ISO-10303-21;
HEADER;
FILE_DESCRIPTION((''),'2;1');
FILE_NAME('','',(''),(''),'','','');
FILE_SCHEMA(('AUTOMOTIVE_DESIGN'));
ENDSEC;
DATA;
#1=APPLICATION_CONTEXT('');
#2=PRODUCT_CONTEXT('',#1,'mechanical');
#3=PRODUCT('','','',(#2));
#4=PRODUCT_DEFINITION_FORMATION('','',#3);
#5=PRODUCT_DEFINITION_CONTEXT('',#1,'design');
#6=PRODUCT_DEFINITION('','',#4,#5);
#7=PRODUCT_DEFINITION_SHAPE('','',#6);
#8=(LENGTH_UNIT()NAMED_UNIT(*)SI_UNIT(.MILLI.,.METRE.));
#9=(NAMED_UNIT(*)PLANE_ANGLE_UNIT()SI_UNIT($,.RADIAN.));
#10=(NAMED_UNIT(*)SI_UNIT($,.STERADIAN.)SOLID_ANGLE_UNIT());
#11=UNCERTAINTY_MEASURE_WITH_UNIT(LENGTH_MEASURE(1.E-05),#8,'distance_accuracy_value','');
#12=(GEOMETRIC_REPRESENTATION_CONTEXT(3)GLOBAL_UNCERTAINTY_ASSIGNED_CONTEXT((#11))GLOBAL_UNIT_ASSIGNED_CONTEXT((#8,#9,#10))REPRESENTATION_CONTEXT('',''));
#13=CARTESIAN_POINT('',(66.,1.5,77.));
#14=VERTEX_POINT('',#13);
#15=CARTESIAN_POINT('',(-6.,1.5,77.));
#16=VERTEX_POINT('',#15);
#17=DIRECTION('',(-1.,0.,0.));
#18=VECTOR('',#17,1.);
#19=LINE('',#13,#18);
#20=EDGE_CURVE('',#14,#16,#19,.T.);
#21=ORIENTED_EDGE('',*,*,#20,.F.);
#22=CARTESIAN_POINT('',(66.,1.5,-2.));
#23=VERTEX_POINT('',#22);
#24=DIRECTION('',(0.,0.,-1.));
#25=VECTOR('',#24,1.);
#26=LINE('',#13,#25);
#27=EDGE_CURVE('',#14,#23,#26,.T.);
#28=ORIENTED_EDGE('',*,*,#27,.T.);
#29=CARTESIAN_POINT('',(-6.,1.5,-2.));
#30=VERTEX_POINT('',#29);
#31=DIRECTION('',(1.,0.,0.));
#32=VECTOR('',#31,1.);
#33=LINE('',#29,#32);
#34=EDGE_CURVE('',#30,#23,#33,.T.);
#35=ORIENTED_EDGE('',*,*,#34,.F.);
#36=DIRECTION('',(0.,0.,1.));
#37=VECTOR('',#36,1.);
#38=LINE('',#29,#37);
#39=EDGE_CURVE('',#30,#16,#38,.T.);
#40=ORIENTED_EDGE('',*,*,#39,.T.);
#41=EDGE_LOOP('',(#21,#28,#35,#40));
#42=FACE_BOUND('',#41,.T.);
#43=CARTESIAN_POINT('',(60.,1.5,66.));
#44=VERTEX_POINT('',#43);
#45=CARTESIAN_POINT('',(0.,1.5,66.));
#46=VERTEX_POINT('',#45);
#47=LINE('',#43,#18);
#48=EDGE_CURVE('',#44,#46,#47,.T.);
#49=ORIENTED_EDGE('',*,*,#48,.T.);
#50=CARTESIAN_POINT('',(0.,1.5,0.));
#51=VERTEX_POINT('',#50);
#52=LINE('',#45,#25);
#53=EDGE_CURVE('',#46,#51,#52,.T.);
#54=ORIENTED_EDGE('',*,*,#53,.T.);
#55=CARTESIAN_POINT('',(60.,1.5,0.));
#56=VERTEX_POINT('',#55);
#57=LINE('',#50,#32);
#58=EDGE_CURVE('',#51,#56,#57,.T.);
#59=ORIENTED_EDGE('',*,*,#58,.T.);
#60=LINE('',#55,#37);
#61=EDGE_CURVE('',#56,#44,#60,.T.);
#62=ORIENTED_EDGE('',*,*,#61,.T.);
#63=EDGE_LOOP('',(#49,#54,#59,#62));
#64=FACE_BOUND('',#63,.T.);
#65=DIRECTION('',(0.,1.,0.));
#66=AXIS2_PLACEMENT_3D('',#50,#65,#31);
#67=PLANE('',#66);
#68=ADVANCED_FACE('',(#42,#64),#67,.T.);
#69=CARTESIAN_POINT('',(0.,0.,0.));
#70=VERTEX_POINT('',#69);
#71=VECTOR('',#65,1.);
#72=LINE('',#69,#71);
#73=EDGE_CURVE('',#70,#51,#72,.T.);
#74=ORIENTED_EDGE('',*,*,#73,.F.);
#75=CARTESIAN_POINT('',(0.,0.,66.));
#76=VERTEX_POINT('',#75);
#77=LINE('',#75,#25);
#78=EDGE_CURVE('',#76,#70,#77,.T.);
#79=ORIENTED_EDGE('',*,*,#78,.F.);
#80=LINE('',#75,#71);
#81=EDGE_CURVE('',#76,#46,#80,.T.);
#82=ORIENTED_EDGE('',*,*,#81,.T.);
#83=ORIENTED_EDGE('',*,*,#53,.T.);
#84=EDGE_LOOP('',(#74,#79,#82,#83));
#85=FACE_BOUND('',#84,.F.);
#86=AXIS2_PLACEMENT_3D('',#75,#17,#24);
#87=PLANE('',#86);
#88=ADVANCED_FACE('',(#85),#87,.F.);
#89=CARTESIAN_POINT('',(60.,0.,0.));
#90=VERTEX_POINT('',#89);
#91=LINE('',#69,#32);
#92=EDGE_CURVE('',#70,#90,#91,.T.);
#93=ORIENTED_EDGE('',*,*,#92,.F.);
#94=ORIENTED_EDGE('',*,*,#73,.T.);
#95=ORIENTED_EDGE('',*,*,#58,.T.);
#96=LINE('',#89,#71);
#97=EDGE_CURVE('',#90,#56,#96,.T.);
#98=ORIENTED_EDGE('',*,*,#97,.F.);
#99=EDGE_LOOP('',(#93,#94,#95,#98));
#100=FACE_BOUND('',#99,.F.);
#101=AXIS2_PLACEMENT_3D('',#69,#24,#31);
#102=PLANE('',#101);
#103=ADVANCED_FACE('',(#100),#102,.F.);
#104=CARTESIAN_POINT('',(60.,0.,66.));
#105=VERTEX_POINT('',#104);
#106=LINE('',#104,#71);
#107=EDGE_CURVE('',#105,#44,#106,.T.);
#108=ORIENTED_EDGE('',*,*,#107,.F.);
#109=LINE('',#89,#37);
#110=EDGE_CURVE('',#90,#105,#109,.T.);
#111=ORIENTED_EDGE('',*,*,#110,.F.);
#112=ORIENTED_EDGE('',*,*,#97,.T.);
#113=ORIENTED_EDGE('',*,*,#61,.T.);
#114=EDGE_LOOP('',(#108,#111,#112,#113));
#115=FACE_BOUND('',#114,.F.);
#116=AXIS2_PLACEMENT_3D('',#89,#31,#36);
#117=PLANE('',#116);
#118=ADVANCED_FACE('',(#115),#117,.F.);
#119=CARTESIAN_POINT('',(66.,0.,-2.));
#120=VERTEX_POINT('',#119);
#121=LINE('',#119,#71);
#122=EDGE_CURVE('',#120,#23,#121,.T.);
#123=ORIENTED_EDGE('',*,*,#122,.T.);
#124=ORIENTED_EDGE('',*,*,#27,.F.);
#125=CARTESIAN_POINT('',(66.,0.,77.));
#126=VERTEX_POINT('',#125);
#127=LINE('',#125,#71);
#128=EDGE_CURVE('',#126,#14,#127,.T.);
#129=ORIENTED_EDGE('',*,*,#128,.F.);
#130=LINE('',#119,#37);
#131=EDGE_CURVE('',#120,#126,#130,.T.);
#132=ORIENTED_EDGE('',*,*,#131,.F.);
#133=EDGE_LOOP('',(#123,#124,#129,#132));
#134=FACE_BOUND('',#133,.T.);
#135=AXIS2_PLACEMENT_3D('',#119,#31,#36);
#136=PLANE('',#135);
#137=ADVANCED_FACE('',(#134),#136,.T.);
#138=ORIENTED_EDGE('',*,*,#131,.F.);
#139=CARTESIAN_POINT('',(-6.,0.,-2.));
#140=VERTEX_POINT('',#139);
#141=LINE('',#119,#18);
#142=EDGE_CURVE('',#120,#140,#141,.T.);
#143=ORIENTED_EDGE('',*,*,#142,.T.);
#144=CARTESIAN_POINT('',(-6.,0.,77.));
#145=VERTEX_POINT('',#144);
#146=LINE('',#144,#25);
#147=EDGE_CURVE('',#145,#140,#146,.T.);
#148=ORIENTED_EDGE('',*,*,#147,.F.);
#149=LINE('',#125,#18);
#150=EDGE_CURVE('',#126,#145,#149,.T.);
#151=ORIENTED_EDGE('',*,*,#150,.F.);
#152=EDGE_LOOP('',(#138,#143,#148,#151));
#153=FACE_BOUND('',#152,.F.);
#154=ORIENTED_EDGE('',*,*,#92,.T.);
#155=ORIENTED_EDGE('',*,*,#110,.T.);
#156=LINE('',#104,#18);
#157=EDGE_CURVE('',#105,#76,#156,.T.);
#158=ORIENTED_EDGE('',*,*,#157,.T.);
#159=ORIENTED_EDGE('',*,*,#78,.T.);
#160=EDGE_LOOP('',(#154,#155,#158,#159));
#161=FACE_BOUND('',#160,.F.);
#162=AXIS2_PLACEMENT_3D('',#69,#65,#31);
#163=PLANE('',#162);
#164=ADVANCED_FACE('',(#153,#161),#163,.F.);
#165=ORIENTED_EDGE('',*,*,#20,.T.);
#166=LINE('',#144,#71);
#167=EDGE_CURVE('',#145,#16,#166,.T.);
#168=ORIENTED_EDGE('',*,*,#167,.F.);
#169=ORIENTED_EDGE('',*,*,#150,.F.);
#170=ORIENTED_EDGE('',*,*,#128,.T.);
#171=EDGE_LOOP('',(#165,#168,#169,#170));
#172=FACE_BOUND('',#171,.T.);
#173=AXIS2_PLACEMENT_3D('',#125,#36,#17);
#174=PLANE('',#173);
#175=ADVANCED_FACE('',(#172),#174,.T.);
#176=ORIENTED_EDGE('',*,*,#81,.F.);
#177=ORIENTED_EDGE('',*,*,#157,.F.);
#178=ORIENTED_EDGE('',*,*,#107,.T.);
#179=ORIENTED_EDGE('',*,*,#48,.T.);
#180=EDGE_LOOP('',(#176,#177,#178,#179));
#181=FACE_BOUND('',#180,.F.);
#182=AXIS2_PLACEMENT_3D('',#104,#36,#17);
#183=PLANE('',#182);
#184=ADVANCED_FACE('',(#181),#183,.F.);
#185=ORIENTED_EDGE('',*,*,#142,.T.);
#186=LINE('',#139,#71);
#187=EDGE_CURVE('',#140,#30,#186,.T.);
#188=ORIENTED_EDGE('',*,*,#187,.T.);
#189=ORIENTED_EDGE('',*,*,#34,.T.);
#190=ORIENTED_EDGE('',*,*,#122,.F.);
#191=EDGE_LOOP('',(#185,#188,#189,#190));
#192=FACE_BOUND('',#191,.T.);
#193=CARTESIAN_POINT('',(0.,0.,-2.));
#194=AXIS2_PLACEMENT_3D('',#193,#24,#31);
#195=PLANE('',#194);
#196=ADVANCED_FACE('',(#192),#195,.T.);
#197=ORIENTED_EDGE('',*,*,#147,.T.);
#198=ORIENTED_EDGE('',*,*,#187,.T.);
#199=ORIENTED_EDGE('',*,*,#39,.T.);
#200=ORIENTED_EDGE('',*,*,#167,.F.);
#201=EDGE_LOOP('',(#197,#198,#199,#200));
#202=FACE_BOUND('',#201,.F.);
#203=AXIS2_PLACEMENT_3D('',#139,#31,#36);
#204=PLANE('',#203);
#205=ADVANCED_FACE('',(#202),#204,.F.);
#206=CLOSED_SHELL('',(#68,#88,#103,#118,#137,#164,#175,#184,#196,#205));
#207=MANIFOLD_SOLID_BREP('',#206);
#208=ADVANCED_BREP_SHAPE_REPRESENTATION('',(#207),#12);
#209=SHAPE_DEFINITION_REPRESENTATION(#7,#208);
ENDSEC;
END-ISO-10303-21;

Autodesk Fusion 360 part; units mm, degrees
sketch "Sketch1" plane through (0, 0, 0) normal (0, 1, 0) x (1, 0, 0) in component "Component"
  line L0 (0, 0) -> (60, 0)
  line L1 (60, 0) -> (60, -66)
  line L2 (60, -66) -> (0, -66)
  line L3 (0, -66) -> (0, 0)
  line L4 (0, 0) -> (-2, 0)
  line L5 (0, 0) -> (0, 2)
  line L6 (-2, 2) -> (62, 2)
  line L7 (62, 2) -> (62, -76)
  line L8 (62, -76) -> (-2, -76)
  line L9 (-2, -76) -> (-2, 2)
  line L10 (62, 2) -> (-6, 2)
  line L11 (-6, 2) -> (-6, -76)
  line L12 (-6, -76) -> (62, -76)
  line L13 (62, -76) -> (62, 2)
  line L14 (62, 2) -> (66, 2)
  line L15 (66, 2) -> (66, -76)
  line L16 (66, -76) -> (62, -76)
  line L17 (62, -76) -> (62, 2)
  line L18 (-6, -76) -> (66, -76)
  line L19 (66, -76) -> (66, -77)
  line L20 (66, -77) -> (-6, -77)
  line L21 (-6, -77) -> (-6, -76)
  dimension "d1" = 60
  dimension "d2" = 66
  dimension "d3" = 2
  dimension "d4" = 2
  dimension "d5" = 78
  dimension "d6" = 64
  dimension "d7" = 68
  dimension "d8" = 4
  dimension "d11" = 1
extrude "Extrude1" add sketch "Sketch1" along normal blind 1.5 contours L4 L5 L6 L7 L8 L9 L10 L12 L13 L17 L18 | L4 L5 L6 L9 L10 | L9 L10 L11 L12 L18 | L7 L13 L14 L15 L16 L17 L18 in component "Component"
extrude "Extrude2" add sketch "Sketch1" along normal blind 1.5 contours L8 L12 L16 L18 L19 L20 L21 in component "Component"
component "Component" placed x (1, 0, 0) y (0, 1, 0) z (0, 0, 1) at (0, 0, 0)
equation "d5 = 66 mm + 12 mm"
